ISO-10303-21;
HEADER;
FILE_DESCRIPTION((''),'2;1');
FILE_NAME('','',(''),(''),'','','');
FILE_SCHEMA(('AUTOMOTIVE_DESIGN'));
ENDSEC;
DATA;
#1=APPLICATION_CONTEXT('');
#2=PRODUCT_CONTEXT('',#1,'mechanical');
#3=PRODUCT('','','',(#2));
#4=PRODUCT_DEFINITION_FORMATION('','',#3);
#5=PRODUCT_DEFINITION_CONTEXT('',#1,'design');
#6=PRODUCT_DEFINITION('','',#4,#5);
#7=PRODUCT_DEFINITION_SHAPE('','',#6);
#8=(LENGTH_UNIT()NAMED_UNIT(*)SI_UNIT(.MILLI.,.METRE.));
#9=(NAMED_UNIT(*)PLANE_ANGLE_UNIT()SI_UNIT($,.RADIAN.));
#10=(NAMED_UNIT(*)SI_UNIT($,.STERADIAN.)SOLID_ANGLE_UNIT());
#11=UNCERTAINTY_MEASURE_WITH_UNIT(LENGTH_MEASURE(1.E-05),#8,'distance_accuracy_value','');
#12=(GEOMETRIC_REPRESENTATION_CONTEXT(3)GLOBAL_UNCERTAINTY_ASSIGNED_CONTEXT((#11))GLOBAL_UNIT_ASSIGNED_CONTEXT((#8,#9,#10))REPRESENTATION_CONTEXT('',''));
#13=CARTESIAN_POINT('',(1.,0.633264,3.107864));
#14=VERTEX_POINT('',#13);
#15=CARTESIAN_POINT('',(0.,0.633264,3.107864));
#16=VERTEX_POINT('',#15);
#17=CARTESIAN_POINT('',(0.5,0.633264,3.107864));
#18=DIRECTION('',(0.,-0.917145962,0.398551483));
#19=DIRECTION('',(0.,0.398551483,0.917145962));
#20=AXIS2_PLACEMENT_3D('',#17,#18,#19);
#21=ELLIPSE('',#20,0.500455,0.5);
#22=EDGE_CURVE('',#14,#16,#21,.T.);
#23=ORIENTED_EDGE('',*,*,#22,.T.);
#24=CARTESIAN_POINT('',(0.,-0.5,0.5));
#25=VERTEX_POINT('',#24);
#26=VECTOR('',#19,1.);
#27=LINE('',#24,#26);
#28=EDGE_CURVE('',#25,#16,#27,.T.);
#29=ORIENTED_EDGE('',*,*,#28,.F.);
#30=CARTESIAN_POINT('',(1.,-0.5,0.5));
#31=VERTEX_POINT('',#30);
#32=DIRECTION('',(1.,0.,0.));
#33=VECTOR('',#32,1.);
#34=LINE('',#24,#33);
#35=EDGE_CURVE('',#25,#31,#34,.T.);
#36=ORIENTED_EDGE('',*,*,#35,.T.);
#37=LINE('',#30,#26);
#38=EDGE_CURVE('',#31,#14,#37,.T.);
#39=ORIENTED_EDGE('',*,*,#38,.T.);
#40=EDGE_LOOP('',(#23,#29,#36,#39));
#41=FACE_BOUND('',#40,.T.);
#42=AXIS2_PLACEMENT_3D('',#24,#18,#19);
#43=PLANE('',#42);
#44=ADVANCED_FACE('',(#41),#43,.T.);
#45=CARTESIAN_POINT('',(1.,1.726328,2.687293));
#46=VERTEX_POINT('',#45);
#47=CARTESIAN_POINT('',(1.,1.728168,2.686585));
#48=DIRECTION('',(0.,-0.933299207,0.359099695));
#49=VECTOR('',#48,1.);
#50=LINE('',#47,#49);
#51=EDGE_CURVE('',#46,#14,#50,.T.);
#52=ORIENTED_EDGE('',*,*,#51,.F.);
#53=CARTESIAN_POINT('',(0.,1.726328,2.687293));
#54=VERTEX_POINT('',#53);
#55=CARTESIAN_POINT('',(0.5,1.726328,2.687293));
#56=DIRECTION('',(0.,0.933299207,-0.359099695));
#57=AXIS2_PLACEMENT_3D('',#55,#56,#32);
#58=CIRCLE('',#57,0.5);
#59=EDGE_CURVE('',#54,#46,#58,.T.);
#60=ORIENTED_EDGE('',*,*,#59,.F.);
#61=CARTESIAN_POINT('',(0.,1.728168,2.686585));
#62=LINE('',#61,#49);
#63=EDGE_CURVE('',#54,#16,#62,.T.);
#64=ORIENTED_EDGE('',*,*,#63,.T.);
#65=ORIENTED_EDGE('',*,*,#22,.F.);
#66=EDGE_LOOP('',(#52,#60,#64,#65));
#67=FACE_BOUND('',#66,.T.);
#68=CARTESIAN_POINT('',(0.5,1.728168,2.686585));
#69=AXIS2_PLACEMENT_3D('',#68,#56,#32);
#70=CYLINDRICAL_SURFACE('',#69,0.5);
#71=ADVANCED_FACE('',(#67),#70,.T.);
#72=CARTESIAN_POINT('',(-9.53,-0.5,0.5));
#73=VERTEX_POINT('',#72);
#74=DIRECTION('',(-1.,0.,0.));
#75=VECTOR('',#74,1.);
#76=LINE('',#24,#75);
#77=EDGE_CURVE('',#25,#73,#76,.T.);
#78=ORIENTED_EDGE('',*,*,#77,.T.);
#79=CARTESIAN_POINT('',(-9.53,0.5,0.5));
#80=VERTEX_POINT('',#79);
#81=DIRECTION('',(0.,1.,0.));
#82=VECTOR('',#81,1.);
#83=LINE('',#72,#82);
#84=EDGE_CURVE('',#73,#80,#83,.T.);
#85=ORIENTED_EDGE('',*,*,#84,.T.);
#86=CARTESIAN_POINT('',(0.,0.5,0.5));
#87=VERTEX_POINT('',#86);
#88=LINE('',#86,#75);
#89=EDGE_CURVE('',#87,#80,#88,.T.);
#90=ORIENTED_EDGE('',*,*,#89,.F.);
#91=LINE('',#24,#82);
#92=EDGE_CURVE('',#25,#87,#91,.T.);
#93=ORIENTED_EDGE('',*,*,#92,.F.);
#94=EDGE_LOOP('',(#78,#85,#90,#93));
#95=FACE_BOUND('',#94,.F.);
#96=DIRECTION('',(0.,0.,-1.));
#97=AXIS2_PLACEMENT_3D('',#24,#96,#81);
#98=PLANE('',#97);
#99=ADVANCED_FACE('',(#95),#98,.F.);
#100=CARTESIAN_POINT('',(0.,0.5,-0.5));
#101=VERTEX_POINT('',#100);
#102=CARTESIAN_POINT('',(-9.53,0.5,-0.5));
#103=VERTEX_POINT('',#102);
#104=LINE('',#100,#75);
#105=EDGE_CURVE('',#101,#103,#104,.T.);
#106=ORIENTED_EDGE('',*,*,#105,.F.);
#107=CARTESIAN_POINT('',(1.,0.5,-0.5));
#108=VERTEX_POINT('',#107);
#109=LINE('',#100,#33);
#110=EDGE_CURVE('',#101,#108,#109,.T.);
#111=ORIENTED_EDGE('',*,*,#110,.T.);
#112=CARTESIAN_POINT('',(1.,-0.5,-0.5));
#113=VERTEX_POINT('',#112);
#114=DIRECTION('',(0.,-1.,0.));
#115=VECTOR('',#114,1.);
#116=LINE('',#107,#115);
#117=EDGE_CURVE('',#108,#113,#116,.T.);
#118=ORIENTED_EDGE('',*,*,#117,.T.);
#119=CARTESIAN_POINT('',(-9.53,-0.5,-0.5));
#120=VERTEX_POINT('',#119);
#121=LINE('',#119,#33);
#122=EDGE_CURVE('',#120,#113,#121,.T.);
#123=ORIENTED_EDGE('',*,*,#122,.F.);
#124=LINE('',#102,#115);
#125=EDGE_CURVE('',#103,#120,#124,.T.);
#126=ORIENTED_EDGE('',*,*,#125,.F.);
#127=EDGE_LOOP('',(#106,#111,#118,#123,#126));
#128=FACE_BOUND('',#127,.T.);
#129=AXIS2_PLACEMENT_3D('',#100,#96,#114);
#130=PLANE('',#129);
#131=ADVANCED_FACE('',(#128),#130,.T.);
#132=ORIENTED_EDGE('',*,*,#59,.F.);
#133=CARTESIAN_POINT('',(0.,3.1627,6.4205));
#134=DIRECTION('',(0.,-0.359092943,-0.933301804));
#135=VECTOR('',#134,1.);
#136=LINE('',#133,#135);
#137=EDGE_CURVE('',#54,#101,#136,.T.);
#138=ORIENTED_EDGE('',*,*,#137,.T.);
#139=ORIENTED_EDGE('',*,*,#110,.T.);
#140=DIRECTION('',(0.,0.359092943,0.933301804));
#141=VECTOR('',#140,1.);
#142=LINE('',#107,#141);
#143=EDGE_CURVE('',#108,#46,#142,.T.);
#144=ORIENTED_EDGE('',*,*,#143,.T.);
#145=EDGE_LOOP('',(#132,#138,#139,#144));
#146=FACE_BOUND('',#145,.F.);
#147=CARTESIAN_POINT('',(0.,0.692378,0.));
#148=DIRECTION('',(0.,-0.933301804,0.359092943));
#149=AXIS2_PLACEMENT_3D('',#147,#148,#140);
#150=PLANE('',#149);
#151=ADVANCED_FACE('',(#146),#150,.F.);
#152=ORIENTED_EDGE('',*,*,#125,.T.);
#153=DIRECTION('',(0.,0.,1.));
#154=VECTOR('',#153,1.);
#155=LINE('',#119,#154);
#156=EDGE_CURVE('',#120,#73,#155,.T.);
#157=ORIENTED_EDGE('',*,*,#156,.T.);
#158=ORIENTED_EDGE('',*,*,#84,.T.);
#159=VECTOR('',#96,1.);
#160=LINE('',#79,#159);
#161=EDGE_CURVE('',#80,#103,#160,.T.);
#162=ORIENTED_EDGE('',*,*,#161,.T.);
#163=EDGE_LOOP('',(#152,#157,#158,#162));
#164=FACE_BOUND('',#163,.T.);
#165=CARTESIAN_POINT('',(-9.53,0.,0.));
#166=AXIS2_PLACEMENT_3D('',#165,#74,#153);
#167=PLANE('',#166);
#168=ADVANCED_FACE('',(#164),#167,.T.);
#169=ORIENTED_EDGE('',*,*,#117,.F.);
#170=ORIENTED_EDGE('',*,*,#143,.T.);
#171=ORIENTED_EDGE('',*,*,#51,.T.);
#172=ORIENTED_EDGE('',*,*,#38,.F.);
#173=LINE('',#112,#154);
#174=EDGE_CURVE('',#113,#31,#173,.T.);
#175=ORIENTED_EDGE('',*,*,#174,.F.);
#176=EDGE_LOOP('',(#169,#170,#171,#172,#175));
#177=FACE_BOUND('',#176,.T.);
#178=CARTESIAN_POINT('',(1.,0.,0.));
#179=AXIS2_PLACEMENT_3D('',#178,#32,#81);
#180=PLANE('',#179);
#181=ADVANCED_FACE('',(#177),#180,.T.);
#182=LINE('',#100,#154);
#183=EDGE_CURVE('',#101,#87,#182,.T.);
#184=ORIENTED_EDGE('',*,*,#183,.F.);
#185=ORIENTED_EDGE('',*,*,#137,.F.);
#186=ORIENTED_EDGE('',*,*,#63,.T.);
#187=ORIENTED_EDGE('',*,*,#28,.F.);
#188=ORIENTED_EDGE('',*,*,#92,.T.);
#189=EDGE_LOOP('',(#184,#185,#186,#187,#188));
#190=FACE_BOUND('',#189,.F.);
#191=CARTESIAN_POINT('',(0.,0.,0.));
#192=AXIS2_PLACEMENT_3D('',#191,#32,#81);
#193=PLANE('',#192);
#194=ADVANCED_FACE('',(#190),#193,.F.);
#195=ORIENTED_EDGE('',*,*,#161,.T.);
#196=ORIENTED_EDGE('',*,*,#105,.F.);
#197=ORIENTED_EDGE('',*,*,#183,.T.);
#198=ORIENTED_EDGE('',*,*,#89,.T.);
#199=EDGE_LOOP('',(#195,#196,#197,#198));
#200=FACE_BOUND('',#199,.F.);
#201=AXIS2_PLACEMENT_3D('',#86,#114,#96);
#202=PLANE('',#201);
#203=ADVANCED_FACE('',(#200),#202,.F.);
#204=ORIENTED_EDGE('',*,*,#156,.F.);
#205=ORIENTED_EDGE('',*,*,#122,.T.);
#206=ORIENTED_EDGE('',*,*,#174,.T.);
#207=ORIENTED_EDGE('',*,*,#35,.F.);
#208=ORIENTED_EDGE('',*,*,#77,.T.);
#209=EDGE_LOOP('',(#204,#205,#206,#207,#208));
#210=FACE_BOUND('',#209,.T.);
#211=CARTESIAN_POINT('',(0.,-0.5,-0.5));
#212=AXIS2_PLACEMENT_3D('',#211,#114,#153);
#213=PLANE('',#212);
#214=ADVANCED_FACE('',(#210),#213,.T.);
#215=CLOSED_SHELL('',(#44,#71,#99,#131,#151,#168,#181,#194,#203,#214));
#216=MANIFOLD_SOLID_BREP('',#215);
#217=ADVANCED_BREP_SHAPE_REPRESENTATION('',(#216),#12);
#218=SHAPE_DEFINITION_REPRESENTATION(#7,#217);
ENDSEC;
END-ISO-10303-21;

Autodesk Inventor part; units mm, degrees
ref_plane "YZ Plane" through (0, 0, 0) normal (1, 0, 0) x (0, 1, 0)
ref_plane "XZ Plane" through (0, 0, 0) normal (0, 1, 0) x (-1, 0, 0)
ref_plane "XY Plane" through (0, 0, 0) normal (0, 0, 1) x (1, 0, 0)
sketch "Sketch1" plane through (0, 0, 0) normal (1, 0, 0) x (0, 1, 0)
  line L0 (0, 0) -> (2.696, 0)
  line L1 (2.696, 0) -> (2.696, 6.6)
  circle A0 centre (2.696, 6.6) radius 0.5
  line L2 (-0.5, 0.5) -> (0.5, 0.5)
  line L3 (0.5, 0.5) -> (0.5, -0.5)
  line L4 (0.5, -0.5) -> (-0.5, -0.5)
  line L5 (-0.5, -0.5) -> (-0.5, 0.5)
  line L6 (-0.5, 0.5) -> (0.5, -0.5) construction
  line L7 (0.5, 0.5) -> (-0.5, -0.5) construction
  line L8 (0.5, -0.5) -> (3.1627, 6.4205)
  line L9 (-0.5, 0.5) -> (2.2374, 6.7993)
  dimension "d0" = 2.696
  dimension "d1" = 6.6
  dimension "d2" = 1
  dimension "d3" = 1
  dimension "d4" = 1
extrude "Extrusion1" add sketch "Sketch1" along normal blind 1 contours L3 L2 L9 A0 L1 L8 L0 | L3 L4 L5 L2 | L0 L8 L3 | L1 A0 L8 | A0
sketch "Sketch2" plane through (0, 0, 0) normal (-1, 0, 0) x (0, 0, 1)
  line L0 (-0.5, -0.5) -> (0.5, -0.5)
  line L1 (0.5, -0.5) -> (0.5, 0.5)
  line L2 (0.5, 0.5) -> (-0.5, 0.5)
  line L3 (-0.5, 0.5) -> (-0.5, -0.5)
  line L4 (-0.5, -0.5) -> (0.5, 0.5) construction
  line L5 (0.5, -0.5) -> (-0.5, 0.5) construction
  arc A0 (6.7993, 2.2374) -> (6.4205, 3.1627) centre (6.6, 2.696) ccw projected
  circle A1 centre (6.6, 2.696) radius 0.5
  point P0 (0, 0)
  point P1 (6.4205, 3.1627)
  point P2 (6.7993, 2.2374)
  dimension "d7" = 1
  dimension "d8" = 1
extrude "Extrusion2" add sketch "Sketch2" along normal blind 9.53
sketch "Sketch3" plane through (0, 3.1627, 6.4205) normal (0, 0.9333, -0.3591) x (1, 0, 0)
  line L0 (0, 0) -> (1, 0) projected
  line L1 (1, 0) -> (1, 4)
  line L2 (1, 7.415) -> (1, 0) projected
  line L3 (1, 4) -> (0, 4)
  circle A0 centre (0.5, 4) radius 0.5
  line L4 (1, 4) -> (1.9656, 2.6006)
  line L5 (1.9656, 2.6006) -> (1.9656, -0.469)
  line L6 (1.9656, -0.469) -> (1.3988, -1.3966)
  line L7 (1.3988, -1.3966) -> (-6.1023, -1.6689)
  line L8 (-6.1023, -1.6689) -> (-10.3351, -1.4334)
  line L9 (-10.3351, -1.4334) -> (-10.659, 1.386)
  line L10 (-10.659, 1.386) -> (-5.3662, 3.1822)
  line L11 (-5.3662, 3.1822) -> (0, 4)
  point P0 (0, 7.1279)
  point P1 (1, 4)
  dimension "d11" = 4
extrude "Extrusion3" cut sketch "Sketch3" against normal blind 10 contours L4 L5 L6 L7 L8 L9 L10 L11 A0
properties part number "Radius_Bone1_Joint_LOWER"
